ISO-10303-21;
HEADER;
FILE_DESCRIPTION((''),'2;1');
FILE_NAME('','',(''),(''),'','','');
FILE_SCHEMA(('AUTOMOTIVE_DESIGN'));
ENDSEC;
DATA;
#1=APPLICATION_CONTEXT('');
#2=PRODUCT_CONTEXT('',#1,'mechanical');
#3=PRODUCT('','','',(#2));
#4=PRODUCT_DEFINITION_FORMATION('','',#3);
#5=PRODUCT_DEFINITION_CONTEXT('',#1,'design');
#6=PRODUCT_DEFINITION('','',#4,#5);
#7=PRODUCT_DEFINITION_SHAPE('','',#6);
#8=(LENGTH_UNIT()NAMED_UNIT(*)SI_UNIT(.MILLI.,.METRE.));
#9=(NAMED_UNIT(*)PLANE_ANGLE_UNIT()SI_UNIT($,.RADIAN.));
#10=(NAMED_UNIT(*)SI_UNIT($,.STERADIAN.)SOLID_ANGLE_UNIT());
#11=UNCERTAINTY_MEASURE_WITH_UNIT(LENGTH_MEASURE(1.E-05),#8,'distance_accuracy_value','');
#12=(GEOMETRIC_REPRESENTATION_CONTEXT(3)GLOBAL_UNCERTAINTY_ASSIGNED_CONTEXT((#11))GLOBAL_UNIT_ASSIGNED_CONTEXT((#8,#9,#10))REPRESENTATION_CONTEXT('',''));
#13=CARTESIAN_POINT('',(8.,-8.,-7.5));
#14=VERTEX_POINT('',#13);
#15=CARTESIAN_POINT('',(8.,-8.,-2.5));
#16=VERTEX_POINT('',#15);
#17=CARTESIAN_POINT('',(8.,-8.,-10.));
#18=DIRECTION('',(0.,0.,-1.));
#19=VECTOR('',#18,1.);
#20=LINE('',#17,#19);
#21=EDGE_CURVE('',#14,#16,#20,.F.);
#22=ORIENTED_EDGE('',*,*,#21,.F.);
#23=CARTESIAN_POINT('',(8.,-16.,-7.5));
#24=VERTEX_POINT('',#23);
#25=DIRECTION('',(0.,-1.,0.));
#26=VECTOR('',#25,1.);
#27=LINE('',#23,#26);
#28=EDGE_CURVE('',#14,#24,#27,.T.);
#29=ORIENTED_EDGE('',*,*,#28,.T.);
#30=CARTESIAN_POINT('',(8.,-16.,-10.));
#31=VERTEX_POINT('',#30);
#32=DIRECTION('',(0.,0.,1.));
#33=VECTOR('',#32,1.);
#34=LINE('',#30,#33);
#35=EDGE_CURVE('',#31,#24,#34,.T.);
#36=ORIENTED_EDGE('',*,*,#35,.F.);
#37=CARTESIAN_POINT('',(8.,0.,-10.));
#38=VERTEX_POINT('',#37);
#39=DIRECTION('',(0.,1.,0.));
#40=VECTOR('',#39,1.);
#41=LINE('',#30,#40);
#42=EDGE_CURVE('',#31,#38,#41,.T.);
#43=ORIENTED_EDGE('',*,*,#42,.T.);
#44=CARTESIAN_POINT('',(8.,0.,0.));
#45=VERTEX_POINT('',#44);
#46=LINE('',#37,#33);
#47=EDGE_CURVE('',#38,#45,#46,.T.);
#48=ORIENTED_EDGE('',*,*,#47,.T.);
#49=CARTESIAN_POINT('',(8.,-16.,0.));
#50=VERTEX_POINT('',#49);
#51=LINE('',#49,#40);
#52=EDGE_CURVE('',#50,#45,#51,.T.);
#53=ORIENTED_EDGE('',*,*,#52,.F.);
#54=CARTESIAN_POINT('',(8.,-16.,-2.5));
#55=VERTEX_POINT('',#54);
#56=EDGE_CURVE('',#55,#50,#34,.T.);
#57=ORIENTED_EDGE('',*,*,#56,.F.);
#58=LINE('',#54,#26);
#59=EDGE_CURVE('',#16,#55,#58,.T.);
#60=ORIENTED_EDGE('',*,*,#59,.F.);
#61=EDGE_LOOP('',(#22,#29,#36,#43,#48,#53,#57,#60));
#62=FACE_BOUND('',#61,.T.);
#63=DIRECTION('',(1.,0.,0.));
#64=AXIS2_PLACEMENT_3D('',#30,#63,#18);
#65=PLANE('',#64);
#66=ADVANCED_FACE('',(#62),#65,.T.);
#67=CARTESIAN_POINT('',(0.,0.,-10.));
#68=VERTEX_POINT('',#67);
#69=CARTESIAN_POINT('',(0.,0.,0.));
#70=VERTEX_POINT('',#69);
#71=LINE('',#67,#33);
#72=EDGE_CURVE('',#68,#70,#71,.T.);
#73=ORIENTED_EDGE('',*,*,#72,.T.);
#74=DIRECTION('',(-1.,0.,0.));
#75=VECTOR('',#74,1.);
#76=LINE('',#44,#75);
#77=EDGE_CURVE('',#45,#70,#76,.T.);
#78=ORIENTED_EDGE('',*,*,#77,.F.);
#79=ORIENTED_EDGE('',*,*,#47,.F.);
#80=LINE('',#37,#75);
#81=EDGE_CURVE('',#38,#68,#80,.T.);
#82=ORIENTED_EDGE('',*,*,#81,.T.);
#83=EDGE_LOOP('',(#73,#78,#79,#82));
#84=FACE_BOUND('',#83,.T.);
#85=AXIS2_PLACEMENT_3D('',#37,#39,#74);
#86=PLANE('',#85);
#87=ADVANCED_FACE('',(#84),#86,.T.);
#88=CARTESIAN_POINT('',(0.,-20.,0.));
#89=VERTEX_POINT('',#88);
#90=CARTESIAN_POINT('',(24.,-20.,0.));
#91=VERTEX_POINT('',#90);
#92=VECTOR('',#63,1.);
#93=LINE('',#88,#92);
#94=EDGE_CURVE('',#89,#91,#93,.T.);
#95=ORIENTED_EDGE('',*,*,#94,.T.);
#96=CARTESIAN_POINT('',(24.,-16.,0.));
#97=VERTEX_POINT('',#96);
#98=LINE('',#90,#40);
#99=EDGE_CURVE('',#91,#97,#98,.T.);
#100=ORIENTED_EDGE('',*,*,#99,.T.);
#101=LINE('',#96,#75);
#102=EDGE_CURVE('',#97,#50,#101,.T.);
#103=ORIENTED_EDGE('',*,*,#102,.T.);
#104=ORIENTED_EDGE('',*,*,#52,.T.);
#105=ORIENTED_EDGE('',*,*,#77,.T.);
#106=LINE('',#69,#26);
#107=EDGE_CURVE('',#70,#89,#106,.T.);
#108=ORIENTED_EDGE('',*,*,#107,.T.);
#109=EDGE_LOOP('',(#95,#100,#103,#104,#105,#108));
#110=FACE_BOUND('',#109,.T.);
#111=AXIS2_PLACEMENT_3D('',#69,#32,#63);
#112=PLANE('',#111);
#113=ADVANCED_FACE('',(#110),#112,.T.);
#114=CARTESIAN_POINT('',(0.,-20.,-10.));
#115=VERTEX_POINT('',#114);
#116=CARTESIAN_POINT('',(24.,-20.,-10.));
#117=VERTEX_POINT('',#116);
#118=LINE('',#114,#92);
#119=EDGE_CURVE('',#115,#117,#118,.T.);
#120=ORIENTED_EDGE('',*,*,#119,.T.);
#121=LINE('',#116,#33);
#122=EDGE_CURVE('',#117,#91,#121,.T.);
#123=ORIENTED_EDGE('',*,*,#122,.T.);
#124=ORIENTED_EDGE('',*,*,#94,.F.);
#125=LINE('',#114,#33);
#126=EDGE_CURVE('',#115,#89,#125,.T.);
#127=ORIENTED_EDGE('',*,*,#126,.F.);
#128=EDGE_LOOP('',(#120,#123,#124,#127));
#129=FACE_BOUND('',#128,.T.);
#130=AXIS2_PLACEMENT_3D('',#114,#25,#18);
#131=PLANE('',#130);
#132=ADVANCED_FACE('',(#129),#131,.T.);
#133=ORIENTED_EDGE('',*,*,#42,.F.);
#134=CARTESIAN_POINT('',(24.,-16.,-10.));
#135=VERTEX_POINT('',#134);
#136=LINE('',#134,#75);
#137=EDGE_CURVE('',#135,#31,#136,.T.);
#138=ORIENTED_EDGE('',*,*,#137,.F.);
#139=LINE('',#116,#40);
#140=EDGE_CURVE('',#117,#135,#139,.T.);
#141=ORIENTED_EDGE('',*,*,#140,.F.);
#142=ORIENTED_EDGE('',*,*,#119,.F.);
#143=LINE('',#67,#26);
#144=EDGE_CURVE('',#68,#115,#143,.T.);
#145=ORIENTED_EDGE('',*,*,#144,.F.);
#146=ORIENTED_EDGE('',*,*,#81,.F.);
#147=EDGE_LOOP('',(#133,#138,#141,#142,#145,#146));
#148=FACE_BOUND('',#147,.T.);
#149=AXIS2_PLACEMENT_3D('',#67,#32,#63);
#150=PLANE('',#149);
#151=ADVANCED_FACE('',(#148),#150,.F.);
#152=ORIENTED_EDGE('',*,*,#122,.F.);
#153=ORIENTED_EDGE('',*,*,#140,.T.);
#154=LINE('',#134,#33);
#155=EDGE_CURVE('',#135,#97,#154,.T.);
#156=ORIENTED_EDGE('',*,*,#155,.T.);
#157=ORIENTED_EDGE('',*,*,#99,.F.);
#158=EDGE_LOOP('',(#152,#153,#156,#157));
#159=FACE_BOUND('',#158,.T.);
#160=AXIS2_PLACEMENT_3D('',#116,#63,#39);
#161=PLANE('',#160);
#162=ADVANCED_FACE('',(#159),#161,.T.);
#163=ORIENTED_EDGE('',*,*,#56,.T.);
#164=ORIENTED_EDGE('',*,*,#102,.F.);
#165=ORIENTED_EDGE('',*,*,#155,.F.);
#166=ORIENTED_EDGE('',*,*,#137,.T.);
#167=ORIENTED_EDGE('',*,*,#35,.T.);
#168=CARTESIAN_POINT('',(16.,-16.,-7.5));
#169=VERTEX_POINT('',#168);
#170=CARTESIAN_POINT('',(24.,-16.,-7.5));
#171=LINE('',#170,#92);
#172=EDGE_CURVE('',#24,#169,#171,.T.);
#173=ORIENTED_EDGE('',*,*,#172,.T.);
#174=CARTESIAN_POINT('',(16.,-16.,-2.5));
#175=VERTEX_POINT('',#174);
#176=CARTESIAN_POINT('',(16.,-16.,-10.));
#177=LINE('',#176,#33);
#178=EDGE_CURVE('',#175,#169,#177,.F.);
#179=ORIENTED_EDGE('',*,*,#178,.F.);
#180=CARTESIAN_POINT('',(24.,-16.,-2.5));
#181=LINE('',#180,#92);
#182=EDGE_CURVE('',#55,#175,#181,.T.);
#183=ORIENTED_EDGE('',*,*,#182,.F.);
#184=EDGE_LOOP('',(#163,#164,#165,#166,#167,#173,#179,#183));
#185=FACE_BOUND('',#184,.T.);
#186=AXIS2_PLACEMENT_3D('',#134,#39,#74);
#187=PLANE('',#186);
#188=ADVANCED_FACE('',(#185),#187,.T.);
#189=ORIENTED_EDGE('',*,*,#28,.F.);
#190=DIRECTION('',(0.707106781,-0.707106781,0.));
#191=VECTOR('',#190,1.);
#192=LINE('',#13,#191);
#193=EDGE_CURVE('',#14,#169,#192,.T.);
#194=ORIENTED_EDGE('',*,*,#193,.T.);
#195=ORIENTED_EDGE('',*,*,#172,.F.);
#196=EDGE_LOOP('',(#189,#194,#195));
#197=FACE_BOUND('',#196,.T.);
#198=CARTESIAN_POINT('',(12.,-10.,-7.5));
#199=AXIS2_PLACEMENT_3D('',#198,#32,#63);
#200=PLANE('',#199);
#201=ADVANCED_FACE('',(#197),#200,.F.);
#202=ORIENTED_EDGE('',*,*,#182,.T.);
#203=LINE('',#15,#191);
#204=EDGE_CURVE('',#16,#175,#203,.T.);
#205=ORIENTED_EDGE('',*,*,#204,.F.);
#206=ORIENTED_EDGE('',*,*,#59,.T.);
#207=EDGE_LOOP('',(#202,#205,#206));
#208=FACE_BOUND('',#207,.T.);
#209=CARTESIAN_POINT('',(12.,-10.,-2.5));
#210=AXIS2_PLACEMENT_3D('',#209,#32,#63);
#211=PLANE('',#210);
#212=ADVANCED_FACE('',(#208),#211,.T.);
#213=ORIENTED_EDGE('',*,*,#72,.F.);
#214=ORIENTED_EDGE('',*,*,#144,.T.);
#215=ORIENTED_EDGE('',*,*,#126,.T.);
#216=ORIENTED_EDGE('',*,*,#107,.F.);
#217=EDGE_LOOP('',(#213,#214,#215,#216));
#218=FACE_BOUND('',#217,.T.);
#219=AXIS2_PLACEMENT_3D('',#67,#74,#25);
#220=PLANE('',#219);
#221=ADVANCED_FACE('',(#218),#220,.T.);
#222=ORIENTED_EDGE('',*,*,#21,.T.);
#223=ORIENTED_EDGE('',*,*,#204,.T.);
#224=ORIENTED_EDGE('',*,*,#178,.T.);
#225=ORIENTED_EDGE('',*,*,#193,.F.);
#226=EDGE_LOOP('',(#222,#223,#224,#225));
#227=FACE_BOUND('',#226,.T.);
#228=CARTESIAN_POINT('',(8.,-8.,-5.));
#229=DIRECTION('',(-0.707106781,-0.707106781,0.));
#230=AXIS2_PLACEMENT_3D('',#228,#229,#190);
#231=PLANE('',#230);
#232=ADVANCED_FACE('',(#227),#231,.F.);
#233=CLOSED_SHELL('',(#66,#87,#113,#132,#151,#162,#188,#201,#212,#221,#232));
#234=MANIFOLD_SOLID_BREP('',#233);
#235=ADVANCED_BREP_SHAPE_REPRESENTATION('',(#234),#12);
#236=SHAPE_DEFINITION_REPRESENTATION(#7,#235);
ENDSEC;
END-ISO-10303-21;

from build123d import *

# Parameters (mm, degrees)
EXTRUDE_1_DEPTH  = 10
RIB_29_REACH     = 33.639
SKETCH_20_WALL_W = 76.590876578
SKETCH_20_WALL_H = 5


with BuildPart() as part:
    # 草图4 → 凸台-拉伸1 (new body)
    with BuildSketch(Plane.XY):
        Polygon((0, 0), (0, -20), (24, -20), (24, -16), (8, -16), (8, 0), align=None)
    extrude(amount=-EXTRUDE_1_DEPTH)

    # 草图20 wall → 筋29 (add, up to next)
    with BuildSketch(Plane(origin=(12, -12, -5), x_dir=(0.707106781187, -0.707106781187, 0), z_dir=(0.707106781187, 0.707106781187, 0)), mode=Mode.PRIVATE) as rib_29_sk1:
        Rectangle(SKETCH_20_WALL_W, SKETCH_20_WALL_H)
    rib_29_tool1 = extrude(rib_29_sk1.sketch, amount=-RIB_29_REACH, mode=Mode.PRIVATE) - part.part
    add(rib_29_tool1.solids().sort_by_distance((12, -12, -5))[0])


solid = part.part
